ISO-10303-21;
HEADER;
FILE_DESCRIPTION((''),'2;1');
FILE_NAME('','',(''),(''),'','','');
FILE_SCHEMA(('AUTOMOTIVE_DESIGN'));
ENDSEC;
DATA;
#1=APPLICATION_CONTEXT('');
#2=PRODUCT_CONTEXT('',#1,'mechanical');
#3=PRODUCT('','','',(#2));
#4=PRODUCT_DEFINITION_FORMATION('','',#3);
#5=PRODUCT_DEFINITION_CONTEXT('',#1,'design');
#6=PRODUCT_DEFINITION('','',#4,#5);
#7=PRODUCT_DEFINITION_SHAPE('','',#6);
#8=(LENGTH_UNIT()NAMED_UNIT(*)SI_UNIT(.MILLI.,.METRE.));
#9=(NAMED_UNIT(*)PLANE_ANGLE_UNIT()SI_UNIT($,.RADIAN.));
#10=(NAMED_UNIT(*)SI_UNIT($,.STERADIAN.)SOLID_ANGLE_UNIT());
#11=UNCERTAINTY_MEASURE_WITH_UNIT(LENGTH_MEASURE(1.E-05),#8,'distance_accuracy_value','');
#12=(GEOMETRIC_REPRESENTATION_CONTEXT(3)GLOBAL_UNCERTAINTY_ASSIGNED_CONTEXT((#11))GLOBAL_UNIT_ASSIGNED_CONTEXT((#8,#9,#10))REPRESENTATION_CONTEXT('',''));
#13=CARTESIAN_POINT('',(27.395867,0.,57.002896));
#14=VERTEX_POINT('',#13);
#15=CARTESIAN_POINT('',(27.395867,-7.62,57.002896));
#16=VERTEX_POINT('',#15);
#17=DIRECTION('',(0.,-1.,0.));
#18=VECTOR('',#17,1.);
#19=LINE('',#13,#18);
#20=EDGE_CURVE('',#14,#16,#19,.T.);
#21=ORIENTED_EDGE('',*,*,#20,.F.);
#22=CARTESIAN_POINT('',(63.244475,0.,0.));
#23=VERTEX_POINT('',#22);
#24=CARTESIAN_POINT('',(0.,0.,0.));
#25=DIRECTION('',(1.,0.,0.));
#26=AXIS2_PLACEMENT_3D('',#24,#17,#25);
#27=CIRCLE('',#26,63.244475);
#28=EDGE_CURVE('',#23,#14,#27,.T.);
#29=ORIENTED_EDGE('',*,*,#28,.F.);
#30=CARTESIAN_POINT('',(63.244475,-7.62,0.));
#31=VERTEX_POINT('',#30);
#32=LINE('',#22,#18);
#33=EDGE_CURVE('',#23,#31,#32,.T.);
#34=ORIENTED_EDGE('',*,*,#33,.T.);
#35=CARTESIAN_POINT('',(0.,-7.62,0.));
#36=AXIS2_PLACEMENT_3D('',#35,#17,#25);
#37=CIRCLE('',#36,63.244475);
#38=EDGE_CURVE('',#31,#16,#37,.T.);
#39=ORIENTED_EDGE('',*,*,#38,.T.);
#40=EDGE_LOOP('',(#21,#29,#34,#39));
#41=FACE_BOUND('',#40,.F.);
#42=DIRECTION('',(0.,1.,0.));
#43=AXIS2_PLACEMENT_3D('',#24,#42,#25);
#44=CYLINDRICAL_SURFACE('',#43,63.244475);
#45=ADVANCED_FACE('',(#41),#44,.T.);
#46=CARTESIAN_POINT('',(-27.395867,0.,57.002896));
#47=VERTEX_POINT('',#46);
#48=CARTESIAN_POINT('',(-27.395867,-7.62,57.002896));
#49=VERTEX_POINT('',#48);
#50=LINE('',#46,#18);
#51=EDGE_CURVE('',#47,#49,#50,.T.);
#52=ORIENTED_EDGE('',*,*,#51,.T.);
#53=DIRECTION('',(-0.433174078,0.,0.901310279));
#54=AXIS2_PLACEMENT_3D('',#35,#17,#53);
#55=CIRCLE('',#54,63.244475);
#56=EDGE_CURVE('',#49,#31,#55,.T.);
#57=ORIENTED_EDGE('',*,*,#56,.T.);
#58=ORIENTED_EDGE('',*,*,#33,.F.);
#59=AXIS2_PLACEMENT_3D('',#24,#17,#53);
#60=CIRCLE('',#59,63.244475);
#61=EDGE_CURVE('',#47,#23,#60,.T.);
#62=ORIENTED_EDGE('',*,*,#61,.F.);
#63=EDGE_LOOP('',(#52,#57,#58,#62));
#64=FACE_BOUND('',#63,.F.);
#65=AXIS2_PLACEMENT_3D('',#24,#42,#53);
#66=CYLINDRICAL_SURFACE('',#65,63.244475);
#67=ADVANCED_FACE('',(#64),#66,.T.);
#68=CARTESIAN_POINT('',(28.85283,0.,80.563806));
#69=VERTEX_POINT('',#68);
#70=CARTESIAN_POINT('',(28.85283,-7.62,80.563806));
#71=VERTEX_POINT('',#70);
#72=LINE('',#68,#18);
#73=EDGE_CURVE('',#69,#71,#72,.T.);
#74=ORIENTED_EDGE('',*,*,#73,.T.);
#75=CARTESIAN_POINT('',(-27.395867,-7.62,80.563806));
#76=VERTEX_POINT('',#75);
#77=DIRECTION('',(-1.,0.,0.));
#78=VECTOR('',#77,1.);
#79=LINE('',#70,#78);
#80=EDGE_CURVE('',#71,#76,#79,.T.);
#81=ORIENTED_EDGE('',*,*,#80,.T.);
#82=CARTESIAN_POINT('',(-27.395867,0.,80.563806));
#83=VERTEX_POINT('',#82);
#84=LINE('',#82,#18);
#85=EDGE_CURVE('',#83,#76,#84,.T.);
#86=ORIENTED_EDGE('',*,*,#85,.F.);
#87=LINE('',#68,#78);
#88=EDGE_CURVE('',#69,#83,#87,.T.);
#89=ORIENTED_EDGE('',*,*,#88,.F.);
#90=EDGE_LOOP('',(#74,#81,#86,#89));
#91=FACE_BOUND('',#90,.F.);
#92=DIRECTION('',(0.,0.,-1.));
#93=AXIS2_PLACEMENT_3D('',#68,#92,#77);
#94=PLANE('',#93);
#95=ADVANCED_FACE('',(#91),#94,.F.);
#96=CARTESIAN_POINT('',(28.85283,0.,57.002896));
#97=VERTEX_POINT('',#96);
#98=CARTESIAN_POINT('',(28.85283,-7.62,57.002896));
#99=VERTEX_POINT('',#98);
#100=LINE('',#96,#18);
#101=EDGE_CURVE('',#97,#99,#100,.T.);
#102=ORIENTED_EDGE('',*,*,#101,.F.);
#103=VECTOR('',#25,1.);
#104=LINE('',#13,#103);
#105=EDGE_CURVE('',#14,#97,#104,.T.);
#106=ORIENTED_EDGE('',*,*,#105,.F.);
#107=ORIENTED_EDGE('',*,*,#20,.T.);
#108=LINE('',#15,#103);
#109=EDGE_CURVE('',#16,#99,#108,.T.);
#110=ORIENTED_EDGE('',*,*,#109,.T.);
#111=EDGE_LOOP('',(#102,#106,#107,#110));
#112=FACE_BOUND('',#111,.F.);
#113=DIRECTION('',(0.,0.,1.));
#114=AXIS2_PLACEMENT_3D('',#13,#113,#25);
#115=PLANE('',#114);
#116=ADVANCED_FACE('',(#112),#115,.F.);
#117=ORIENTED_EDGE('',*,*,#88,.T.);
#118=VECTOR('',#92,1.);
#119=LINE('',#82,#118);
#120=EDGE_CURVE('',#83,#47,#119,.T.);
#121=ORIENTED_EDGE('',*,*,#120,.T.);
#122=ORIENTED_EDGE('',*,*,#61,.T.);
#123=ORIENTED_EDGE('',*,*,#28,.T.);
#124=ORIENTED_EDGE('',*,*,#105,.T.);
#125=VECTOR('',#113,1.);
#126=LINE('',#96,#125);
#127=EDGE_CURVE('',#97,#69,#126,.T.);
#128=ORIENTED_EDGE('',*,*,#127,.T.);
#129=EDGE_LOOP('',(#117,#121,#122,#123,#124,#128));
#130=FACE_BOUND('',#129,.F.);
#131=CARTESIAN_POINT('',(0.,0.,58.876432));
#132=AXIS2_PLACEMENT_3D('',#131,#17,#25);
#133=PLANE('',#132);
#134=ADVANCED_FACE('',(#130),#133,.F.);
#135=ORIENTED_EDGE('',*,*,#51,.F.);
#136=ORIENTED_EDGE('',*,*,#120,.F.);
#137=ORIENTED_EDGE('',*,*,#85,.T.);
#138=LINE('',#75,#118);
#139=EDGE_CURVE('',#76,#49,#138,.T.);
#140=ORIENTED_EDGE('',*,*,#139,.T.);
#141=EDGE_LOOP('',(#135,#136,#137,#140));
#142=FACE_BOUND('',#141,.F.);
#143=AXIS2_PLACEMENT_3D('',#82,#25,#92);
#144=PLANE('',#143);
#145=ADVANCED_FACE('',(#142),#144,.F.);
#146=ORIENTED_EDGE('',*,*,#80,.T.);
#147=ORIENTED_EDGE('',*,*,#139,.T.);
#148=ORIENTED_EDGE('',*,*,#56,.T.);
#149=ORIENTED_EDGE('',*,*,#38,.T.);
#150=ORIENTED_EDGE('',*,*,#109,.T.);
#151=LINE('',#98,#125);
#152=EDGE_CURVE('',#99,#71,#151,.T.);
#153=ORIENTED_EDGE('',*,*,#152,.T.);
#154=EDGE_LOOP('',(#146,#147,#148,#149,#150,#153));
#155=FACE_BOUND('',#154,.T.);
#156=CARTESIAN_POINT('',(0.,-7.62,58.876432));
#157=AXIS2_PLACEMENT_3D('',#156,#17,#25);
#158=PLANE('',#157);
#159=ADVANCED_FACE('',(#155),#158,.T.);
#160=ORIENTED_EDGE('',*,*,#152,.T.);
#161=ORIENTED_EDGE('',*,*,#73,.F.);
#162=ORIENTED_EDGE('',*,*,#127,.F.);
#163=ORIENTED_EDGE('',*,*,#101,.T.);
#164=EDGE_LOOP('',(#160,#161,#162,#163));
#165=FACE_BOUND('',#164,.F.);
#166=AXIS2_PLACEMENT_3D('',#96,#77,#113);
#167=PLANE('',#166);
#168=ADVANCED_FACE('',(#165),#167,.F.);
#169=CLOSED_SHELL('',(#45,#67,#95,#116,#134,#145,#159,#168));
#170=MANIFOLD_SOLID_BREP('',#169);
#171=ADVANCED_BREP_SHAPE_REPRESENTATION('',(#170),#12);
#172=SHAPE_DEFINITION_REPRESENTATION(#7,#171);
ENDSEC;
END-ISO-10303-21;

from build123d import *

# Parameters (mm, degrees)
F1_DEPTH = 7.62
F2_DEPTH = 7.62


with BuildPart() as f1:
    # F0 (on Front) → F1 (new body)
    with BuildSketch(Plane.XZ):
        with BuildLine():
            ThreePointArc((27.3958672673, 57.0028956906), (0, 63.2444753353), (-27.3958672673, 57.0028956906))
            Line((-27.3958672673, 57.0028956906), (27.3958672673, 57.0028956906))
        make_face()
        with BuildLine():
            Line((27.3958672673, 57.0028956906), (-27.3958672673, 57.0028956906))
            ThreePointArc((-27.3958672673, 57.0028956906), (-33.6691729091, -53.5373743852), (63.2444753353, 0))
            ThreePointArc((63.2444753353, 0), (53.5373743852, 33.6691729091), (27.3958672673, 57.0028956906))
        make_face()
    extrude(amount=F1_DEPTH)

    # F0 (on Front) → F2 (join)
    with BuildSketch(Plane.XZ):
        with BuildLine():
            Line((27.3958672673, 57.0028956906), (-27.3958672673, 57.0028956906))
            ThreePointArc((-27.3958672673, 57.0028956906), (-33.6691729091, -53.5373743852), (63.2444753353, 0))
            ThreePointArc((63.2444753353, 0), (53.5373743852, 33.6691729091), (27.3958672673, 57.0028956906))
        make_face()
        with BuildLine():
            Line((-27.3958672673, 80.5638059974), (-27.3958672673, 57.0028956906))
            ThreePointArc((-27.3958672673, 57.0028956906), (0, 63.2444753353), (27.3958672673, 57.0028956906))
            Line((27.3958672673, 57.0028956906), (28.8528297096, 57.0028956906))
            Line((28.8528297096, 57.0028956906), (28.8528297096, 80.5638059974))
            Line((28.8528297096, 80.5638059974), (-27.3958672673, 80.5638059974))
        make_face()
        with BuildLine():
            ThreePointArc((27.3958672673, 57.0028956906), (0, 63.2444753353), (-27.3958672673, 57.0028956906))
            Line((-27.3958672673, 57.0028956906), (27.3958672673, 57.0028956906))
        make_face()
    extrude(amount=F2_DEPTH)


solid = f1.part
